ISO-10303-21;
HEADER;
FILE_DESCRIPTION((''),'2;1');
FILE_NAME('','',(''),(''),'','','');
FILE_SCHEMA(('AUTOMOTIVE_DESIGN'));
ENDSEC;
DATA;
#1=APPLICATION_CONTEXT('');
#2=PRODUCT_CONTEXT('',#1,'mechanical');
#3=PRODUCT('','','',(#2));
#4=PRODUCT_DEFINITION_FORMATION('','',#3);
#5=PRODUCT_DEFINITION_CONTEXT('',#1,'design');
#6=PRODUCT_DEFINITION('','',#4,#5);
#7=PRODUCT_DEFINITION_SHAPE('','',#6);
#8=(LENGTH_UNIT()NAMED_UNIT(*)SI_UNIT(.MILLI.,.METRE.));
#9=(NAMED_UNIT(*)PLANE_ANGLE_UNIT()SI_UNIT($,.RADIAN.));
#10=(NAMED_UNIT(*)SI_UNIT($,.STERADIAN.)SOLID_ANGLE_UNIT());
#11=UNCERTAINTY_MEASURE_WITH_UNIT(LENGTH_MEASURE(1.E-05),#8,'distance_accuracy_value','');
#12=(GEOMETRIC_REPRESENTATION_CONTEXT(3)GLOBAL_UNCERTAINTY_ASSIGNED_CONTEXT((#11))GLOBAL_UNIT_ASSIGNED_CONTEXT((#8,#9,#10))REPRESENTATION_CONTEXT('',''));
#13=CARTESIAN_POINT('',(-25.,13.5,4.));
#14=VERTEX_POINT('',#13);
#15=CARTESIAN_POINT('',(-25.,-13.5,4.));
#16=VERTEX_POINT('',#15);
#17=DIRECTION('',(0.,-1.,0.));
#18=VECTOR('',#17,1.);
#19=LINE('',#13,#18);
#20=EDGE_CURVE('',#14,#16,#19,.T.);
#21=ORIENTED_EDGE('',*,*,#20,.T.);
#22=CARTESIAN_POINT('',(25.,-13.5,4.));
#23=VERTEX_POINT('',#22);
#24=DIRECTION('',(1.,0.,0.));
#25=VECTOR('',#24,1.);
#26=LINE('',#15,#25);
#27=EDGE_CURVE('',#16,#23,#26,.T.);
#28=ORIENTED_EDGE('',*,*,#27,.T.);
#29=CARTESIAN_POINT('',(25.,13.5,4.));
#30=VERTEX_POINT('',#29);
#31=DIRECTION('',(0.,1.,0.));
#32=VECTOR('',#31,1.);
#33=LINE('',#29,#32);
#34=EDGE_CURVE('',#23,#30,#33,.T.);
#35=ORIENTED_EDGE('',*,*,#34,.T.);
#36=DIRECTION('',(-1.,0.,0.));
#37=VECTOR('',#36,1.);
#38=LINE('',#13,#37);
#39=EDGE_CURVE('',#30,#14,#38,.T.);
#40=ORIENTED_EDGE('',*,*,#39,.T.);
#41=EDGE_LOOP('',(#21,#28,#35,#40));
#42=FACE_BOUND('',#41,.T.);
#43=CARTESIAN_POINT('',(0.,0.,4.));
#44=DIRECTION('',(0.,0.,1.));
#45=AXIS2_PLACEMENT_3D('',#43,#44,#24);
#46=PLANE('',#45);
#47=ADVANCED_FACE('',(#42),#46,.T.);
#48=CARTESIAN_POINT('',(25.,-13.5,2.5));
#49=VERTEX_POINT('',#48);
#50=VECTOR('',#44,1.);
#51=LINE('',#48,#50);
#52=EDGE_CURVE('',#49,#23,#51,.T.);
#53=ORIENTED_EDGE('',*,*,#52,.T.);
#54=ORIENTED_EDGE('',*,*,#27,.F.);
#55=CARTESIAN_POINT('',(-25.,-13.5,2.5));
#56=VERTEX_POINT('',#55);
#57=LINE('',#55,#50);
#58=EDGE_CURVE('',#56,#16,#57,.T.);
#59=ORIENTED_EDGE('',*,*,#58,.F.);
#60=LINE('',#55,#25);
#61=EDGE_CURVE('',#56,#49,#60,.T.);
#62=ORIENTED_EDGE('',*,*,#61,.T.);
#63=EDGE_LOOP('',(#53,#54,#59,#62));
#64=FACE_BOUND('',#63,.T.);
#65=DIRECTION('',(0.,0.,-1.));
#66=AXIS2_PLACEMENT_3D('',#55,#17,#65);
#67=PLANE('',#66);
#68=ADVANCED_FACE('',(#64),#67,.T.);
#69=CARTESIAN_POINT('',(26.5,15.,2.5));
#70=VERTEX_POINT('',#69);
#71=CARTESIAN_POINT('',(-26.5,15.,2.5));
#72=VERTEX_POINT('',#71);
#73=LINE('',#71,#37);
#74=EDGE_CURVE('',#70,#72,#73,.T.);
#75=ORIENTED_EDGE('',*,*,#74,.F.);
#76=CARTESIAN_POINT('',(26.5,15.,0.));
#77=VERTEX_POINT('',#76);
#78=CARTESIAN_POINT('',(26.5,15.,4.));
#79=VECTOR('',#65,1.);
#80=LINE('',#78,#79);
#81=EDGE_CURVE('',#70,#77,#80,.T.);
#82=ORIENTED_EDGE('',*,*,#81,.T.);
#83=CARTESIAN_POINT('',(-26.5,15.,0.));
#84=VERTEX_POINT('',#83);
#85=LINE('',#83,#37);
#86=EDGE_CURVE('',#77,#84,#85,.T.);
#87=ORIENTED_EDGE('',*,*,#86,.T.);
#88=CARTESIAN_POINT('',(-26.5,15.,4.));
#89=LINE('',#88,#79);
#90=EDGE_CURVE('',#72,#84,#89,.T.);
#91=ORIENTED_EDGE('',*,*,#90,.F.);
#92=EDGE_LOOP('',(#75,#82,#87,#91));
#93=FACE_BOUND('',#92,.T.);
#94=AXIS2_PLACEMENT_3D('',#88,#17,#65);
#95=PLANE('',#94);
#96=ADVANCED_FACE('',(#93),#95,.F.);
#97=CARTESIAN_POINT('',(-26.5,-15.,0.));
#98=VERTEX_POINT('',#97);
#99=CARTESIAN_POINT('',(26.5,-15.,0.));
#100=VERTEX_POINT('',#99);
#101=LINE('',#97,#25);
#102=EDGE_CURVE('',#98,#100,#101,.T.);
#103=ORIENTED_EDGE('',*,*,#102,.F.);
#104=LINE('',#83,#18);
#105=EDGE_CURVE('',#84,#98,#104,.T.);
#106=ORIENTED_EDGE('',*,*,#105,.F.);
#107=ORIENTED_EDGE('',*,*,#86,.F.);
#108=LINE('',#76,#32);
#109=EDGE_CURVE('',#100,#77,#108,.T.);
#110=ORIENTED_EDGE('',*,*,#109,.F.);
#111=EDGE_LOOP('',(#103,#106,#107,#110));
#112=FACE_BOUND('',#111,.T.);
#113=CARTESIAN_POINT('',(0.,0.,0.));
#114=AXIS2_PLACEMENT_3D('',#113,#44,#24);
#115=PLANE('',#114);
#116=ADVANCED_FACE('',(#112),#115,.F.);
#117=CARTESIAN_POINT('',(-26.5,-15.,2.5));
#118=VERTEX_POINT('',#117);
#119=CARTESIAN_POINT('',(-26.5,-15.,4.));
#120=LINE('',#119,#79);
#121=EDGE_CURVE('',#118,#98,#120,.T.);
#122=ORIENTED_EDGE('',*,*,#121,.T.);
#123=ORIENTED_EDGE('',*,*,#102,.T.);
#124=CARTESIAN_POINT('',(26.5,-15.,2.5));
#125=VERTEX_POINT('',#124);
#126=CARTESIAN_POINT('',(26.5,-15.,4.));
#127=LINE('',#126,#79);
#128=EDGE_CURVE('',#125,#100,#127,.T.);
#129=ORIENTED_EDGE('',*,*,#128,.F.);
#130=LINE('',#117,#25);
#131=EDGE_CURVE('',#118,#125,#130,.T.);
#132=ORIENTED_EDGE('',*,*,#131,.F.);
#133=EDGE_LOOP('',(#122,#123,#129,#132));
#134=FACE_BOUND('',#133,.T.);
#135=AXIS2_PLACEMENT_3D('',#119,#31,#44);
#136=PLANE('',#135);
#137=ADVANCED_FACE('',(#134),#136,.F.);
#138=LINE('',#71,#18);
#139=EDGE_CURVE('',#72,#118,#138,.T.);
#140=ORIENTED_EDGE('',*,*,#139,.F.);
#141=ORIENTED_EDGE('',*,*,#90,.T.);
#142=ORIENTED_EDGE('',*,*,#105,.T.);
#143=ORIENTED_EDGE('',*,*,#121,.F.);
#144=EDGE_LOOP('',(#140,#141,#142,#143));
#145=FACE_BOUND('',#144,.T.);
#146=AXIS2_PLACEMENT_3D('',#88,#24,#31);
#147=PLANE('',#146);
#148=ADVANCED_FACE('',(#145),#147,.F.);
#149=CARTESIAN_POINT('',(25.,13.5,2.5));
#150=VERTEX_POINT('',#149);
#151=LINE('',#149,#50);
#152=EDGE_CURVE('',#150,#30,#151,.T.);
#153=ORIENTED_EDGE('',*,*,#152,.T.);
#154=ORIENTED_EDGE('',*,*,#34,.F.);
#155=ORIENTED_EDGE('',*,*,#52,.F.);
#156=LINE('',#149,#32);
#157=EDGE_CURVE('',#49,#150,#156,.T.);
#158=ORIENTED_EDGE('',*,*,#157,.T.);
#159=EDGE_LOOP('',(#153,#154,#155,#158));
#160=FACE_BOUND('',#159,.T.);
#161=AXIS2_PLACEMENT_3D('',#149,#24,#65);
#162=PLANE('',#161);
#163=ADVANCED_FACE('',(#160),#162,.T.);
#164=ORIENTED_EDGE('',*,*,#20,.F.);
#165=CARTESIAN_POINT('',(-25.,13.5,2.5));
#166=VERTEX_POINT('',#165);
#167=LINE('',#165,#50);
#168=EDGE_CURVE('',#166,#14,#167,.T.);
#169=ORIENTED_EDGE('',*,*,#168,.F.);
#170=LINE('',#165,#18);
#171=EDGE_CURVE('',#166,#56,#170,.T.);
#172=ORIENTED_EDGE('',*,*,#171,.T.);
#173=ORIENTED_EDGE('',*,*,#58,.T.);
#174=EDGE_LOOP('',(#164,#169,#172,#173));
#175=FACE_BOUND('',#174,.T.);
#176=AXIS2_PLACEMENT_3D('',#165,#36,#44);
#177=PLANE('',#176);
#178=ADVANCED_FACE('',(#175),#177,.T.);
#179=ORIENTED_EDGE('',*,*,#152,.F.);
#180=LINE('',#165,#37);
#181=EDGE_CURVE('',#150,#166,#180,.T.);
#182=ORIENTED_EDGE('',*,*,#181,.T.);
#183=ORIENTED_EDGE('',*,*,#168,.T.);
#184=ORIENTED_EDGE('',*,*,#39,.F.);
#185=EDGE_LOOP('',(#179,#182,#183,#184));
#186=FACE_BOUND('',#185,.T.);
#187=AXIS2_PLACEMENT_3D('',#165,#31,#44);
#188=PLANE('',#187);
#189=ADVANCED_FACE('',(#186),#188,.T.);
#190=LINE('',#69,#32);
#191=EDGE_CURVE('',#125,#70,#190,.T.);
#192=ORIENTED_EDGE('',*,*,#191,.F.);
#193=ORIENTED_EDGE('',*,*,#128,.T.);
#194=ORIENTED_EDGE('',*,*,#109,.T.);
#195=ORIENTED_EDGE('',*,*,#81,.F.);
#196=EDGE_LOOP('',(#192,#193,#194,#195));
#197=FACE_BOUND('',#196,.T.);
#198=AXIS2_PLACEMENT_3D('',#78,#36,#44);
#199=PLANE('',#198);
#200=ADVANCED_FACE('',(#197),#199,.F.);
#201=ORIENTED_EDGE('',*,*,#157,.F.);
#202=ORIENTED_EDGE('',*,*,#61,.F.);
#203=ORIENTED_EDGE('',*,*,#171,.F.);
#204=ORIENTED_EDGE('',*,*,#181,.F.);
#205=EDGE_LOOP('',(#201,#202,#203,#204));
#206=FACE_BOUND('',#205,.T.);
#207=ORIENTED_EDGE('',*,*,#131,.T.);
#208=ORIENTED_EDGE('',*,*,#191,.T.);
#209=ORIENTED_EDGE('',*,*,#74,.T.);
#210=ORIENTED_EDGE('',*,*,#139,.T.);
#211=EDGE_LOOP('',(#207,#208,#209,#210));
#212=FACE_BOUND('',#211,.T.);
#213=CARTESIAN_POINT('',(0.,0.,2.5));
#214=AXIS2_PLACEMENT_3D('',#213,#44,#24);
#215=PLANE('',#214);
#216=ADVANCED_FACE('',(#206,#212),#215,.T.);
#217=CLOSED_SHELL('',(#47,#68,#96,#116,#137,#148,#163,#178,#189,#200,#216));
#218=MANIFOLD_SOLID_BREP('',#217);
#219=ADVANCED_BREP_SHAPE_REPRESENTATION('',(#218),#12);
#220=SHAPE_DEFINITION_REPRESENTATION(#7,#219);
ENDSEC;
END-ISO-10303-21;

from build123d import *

# Parameters (mm, degrees)
SKETCH1_W           = 53
SKETCH1_H           = 30
BOSS_EXTRUDE1_DEPTH = 4
SKETCH2_OUTSIDE_W   = 67.206
SKETCH2_OUTSIDE_H   = 44.206
SKETCH2_OUTSIDE_W_2 = 50
SKETCH2_OUTSIDE_H_2 = 27
CUT_EXTRUDE1_DEPTH  = 1.5


with BuildPart() as part:
    # Sketch1 → Boss-Extrude1 (new body)
    with BuildSketch(Plane.XY):
        Rectangle(SKETCH1_W, SKETCH1_H)
    extrude(amount=BOSS_EXTRUDE1_DEPTH)

    # Sketch2 outside → Cut-Extrude1 (cut)
    with BuildSketch(Plane.XY.offset(4)):
        Rectangle(SKETCH2_OUTSIDE_W, SKETCH2_OUTSIDE_H)
        Rectangle(SKETCH2_OUTSIDE_W_2, SKETCH2_OUTSIDE_H_2, mode=Mode.SUBTRACT)
    extrude(amount=-CUT_EXTRUDE1_DEPTH, mode=Mode.SUBTRACT)


solid = part.part
